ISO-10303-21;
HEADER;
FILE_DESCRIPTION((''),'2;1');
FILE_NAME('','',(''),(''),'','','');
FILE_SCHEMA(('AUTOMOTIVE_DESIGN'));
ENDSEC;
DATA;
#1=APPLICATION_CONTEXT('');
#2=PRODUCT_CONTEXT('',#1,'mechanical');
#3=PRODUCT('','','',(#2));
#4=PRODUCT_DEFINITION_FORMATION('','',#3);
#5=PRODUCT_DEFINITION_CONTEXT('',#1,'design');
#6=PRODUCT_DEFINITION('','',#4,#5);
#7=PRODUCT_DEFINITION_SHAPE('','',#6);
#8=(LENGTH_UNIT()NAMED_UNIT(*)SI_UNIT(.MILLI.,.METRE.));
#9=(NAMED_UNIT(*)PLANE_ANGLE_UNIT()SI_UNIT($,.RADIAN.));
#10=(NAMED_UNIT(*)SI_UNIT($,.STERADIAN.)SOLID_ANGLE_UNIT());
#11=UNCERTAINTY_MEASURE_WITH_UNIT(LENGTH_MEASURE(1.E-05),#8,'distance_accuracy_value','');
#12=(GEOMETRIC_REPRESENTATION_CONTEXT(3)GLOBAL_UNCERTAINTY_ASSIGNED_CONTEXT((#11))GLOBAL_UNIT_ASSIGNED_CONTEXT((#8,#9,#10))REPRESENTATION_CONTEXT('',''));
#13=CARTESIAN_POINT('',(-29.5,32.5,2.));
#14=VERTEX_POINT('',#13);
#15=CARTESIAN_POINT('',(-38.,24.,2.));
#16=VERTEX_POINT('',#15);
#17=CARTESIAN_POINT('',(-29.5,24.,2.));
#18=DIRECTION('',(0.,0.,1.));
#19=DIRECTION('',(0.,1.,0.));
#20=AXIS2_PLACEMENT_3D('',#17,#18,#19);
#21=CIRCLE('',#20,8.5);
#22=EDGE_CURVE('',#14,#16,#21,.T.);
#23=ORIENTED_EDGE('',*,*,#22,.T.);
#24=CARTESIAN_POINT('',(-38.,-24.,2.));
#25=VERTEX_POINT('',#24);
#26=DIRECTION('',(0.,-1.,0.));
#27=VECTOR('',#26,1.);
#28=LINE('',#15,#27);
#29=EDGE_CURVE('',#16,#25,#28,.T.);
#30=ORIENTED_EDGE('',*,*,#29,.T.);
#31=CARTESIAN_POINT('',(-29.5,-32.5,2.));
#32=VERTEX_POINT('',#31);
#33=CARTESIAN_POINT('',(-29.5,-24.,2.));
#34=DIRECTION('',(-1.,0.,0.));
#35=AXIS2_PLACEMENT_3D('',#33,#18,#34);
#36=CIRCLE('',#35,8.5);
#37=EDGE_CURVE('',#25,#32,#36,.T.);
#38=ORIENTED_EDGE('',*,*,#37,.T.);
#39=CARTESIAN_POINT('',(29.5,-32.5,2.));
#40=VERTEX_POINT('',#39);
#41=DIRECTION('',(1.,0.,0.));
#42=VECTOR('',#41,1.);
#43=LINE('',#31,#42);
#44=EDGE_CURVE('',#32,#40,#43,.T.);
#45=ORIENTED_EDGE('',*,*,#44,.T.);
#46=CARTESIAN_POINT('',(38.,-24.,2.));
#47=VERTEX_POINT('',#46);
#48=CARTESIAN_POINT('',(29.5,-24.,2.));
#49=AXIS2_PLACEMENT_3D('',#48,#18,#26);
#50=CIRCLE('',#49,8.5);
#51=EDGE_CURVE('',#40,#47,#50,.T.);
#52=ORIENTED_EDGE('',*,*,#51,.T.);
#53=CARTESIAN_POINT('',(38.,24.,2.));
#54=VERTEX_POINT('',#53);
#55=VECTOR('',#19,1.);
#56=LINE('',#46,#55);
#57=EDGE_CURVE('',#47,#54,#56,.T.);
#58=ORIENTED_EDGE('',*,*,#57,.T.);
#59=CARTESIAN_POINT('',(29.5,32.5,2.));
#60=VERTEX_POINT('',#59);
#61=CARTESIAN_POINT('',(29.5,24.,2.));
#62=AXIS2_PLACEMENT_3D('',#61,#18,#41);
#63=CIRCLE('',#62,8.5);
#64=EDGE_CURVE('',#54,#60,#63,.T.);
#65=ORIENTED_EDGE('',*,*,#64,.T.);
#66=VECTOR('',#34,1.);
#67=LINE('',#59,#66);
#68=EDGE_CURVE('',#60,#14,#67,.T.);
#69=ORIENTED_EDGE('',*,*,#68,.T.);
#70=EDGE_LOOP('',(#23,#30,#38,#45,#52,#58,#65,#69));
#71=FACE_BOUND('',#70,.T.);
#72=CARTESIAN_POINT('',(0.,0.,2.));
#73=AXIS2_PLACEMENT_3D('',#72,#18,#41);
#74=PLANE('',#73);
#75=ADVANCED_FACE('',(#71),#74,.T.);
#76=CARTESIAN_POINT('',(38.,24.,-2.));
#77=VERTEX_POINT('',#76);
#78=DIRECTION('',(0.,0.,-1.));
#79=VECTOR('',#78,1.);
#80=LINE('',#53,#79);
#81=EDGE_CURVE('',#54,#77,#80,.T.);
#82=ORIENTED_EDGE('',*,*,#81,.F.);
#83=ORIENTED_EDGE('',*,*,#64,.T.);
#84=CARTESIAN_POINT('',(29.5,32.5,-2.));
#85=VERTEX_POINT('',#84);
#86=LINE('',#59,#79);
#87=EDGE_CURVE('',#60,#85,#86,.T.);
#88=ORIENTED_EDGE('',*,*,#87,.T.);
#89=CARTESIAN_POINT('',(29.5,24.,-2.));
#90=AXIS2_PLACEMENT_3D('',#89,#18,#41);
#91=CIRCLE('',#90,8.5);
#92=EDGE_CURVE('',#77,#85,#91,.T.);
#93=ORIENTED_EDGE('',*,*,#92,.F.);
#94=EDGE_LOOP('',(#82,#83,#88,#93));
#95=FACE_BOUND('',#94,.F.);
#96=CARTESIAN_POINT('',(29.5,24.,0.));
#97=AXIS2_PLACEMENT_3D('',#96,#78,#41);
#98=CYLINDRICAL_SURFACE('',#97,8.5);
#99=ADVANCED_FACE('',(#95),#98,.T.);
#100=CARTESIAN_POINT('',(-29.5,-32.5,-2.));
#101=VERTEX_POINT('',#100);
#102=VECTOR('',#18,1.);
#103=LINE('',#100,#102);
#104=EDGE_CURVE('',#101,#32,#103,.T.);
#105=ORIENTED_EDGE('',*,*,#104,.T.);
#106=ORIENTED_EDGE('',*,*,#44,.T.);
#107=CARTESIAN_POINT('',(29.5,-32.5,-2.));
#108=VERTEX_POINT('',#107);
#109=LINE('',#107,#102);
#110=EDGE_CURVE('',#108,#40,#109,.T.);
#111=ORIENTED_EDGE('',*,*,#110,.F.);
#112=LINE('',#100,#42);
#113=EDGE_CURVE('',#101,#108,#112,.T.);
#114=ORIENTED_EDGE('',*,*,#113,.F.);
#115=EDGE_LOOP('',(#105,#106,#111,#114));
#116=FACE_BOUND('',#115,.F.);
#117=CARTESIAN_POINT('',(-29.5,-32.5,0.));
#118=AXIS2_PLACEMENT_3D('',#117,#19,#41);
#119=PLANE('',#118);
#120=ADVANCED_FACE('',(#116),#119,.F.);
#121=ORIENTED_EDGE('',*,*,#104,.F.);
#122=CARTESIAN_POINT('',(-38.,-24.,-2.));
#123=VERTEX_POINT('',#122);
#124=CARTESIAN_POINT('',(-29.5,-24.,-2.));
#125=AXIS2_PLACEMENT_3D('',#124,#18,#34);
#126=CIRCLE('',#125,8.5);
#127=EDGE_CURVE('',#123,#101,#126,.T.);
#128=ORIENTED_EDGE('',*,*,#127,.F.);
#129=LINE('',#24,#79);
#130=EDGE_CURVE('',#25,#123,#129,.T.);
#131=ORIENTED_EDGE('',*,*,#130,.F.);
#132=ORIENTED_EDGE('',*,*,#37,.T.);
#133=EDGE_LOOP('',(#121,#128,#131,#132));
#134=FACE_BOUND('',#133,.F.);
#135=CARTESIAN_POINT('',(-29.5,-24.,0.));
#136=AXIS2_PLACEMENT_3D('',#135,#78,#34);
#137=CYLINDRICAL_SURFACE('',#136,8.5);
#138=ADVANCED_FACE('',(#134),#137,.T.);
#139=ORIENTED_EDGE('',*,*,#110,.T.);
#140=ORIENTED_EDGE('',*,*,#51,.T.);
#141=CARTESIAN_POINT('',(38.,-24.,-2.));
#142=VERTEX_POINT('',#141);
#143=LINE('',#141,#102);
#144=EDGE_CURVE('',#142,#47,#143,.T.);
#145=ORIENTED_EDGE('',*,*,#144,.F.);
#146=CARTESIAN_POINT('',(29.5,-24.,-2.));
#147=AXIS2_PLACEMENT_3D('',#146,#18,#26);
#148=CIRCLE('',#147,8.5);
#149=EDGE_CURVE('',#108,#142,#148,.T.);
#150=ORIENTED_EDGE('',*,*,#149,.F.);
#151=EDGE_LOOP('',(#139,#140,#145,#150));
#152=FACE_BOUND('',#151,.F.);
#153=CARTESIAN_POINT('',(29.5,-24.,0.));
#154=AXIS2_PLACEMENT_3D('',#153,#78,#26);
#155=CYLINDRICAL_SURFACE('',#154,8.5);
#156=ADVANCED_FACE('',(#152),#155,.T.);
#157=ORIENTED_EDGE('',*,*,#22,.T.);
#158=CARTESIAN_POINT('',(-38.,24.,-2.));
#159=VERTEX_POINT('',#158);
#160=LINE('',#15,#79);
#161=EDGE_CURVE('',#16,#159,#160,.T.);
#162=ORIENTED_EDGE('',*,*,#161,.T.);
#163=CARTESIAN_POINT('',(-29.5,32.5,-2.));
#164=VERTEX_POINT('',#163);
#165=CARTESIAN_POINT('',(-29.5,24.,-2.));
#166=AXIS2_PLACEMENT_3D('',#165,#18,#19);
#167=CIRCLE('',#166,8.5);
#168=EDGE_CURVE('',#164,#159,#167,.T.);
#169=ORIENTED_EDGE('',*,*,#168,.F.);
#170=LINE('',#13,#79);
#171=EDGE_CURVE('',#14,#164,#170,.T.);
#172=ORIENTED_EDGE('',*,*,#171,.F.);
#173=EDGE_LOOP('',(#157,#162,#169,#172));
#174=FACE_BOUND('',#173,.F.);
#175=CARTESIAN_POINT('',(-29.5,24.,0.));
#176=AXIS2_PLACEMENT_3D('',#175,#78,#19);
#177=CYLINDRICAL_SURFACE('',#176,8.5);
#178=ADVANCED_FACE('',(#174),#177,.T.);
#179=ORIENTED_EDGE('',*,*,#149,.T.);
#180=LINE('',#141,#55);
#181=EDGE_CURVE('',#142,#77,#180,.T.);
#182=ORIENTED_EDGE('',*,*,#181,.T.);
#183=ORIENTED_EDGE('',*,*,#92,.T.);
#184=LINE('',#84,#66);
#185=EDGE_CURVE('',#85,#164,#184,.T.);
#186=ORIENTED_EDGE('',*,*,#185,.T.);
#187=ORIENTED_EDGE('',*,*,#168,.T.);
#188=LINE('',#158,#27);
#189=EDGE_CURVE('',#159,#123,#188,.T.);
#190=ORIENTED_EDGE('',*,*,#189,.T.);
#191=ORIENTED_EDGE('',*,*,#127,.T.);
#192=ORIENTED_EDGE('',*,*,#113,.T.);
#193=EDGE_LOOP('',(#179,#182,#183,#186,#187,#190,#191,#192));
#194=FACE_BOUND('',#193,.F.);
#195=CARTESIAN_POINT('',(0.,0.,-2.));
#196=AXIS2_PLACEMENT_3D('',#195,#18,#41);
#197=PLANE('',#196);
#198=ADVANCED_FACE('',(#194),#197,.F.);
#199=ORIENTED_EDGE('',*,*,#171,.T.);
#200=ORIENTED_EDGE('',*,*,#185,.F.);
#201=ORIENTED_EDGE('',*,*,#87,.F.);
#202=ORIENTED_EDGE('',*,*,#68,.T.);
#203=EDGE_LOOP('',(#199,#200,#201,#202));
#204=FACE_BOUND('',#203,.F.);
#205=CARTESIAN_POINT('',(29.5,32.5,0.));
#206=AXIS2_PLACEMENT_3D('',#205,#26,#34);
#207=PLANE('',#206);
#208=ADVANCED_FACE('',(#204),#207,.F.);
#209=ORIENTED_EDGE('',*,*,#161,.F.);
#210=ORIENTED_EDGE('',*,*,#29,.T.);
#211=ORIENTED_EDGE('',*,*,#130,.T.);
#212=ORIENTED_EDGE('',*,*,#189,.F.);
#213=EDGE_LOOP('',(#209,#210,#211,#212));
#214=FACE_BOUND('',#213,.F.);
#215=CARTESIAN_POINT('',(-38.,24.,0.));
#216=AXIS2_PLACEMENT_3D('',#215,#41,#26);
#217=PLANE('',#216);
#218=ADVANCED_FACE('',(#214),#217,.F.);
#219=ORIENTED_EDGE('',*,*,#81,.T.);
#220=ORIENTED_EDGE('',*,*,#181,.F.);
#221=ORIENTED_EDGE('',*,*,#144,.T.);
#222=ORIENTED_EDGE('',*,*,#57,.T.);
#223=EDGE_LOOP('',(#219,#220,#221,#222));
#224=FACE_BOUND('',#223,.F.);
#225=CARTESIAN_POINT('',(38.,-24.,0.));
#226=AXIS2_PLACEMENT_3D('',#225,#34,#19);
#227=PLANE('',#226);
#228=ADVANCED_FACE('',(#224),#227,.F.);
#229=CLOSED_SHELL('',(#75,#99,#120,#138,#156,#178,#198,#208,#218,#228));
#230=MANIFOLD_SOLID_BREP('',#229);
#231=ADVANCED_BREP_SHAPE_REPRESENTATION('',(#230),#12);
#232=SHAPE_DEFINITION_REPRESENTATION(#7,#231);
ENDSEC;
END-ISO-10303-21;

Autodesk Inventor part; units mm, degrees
ref_plane "YZ Plane" through (0, 0, 0) normal (1, 0, 0) x (0, 1, 0)
ref_plane "XZ Plane" through (0, 0, 0) normal (0, 1, 0) x (-1, 0, 0)
ref_plane "XY Plane" through (0, 0, 0) normal (0, 0, 1) x (1, 0, 0)
sketch "Sketch1" plane through (0, 0, 0) normal (0, 0, 1) x (1, 0, 0)
  line L0 (-29.5, -32.5) -> (29.5, -32.5)
  line L1 (38, -24) -> (38, 24)
  line L2 (29.5, 32.5) -> (-29.5, 32.5)
  line L3 (-38, 24) -> (-38, -24)
  line L4 (-38, -32.5) -> (38, 32.5) construction
  line L5 (38, -32.5) -> (-38, 32.5) construction
  arc A0 (-29.5, 32.5) -> (-38, 24) centre (-29.5, 24) ccw
  arc A1 (-38, -24) -> (-29.5, -32.5) centre (-29.5, -24) ccw
  arc A2 (29.5, -32.5) -> (38, -24) centre (29.5, -24) ccw
  arc A3 (38, 24) -> (29.5, 32.5) centre (29.5, 24) ccw
  point P0 (0, 0)
  dimension "d0" = 76
  dimension "d1" = 65
  dimension "d2" = 8.5
extrude "Extrusion1" add sketch "Sketch1" along normal mid plane 4
properties part number "PayloadGermination_Sponge" material "Water"
